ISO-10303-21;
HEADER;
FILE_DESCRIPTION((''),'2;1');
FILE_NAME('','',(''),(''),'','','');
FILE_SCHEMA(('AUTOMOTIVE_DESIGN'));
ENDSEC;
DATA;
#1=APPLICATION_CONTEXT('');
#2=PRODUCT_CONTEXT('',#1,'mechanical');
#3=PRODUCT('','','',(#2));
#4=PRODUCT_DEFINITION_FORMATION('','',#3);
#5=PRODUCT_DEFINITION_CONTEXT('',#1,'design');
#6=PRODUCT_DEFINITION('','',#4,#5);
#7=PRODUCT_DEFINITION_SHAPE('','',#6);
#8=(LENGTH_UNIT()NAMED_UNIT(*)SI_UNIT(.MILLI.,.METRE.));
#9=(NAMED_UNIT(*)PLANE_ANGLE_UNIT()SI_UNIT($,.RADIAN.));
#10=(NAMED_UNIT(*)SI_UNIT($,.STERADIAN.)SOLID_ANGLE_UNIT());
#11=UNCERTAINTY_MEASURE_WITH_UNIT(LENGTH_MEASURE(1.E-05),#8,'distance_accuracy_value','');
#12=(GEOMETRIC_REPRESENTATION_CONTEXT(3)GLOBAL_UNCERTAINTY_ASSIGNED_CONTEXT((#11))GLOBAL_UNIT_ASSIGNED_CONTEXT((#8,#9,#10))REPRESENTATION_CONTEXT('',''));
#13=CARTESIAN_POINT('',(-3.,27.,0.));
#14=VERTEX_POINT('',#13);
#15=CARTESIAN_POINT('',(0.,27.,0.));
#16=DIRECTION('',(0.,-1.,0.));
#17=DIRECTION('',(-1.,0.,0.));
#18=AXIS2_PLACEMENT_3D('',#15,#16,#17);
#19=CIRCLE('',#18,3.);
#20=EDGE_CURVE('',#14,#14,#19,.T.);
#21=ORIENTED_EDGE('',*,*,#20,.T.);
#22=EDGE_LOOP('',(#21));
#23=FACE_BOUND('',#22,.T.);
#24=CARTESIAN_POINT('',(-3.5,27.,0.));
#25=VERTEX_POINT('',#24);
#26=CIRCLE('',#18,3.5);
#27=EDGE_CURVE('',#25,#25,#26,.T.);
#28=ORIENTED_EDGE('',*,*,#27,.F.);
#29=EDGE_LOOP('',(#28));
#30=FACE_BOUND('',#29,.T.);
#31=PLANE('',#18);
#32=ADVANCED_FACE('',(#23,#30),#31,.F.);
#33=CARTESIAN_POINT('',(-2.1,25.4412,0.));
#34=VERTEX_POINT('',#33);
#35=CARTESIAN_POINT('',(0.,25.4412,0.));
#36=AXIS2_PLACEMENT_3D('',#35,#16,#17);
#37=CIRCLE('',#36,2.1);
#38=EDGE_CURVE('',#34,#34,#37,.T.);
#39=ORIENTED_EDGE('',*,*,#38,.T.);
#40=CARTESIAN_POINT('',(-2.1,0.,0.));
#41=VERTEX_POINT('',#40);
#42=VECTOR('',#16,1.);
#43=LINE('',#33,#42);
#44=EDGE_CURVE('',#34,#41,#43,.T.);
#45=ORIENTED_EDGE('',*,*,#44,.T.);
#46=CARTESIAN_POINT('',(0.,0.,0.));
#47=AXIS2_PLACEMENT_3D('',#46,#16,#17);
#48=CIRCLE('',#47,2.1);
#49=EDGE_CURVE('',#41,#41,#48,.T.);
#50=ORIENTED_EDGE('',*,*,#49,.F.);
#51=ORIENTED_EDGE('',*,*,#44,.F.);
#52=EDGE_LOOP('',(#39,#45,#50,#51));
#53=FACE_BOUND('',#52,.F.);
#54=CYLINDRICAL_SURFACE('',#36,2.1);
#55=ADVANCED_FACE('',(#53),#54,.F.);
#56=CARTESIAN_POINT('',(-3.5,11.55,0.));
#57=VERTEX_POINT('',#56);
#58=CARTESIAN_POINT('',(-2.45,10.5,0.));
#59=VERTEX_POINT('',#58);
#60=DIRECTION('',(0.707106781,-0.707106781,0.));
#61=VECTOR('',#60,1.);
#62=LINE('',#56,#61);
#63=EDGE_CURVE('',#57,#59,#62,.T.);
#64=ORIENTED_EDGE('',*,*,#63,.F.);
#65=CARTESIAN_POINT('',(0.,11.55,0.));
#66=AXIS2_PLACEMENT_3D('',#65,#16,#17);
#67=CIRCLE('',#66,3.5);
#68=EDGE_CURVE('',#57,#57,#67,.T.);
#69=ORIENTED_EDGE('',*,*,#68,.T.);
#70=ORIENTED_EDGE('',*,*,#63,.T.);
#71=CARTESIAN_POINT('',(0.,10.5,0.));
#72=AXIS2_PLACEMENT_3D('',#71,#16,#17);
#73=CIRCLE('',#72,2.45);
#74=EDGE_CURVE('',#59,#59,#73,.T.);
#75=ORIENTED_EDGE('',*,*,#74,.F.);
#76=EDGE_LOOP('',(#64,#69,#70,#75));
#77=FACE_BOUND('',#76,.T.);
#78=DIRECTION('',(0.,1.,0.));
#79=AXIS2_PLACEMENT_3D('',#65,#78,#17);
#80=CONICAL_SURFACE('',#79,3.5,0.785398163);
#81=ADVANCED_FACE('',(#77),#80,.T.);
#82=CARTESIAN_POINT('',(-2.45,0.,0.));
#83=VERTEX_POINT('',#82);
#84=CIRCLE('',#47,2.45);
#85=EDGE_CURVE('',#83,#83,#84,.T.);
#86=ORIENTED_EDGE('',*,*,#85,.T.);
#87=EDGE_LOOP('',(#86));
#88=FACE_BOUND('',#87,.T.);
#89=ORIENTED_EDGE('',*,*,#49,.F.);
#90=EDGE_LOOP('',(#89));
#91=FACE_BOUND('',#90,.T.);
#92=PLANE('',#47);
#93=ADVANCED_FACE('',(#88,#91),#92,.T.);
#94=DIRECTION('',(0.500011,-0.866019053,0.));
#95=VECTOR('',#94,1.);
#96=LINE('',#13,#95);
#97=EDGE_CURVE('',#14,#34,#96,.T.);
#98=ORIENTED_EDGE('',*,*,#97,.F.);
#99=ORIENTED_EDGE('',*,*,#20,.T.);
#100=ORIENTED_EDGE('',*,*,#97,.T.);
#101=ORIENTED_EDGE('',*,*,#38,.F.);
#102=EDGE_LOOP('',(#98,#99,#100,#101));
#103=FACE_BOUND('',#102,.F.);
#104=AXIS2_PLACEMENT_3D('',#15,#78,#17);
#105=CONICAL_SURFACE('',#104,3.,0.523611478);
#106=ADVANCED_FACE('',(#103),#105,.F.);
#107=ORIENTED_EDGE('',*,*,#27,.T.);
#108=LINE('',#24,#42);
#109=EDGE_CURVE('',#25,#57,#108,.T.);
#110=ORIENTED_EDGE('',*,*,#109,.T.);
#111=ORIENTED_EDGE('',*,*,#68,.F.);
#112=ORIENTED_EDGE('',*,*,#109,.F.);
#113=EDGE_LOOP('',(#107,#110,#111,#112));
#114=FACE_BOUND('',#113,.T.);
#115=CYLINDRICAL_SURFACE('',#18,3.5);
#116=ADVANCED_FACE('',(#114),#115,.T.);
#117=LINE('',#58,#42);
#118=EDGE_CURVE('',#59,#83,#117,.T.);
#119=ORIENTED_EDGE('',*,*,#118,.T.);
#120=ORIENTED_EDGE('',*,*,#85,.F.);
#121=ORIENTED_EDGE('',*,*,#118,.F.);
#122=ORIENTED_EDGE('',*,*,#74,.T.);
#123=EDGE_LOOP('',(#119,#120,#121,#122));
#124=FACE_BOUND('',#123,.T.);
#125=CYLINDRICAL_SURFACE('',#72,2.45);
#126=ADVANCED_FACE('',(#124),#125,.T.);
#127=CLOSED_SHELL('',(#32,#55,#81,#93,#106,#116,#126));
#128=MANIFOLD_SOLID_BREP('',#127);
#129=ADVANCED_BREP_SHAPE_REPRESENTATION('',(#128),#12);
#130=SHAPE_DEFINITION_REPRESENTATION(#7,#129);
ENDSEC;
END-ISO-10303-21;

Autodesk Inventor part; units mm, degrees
ref_plane "YZ Plane" through (0, 0, 0) normal (1, 0, 0) x (0, 1, 0)
ref_plane "XZ Plane" through (0, 0, 0) normal (0, 1, 0) x (-1, 0, 0)
ref_plane "XY Plane" through (0, 0, 0) normal (0, 0, 1) x (1, 0, 0)
sketch "Sketch1" plane through (0, 0, 0) normal (0, 0, 1) x (1, 0, 0)
  line L0 (-3.5, 27) -> (-3.5, 11.55)
  line L1 (-3.5, 11.55) -> (-2.45, 10.5)
  line L2 (-2.45, 10.5) -> (-2.45, 0)
  line L3 (-2.45, 0) -> (0, 0)
  line L4 (0, 27) -> (0, 0) construction
  line L5 (-3, 27) -> (-2.1, 25.4412)
  line L6 (-2.1, 25.4412) -> (-2.1, 0)
  line L7 (-3, 27) -> (-3.5, 27)
  dimension "d1" = 10.5
  dimension "d2" = 2.45
  dimension "d3" = 3.5
  dimension "d4" = 30
  dimension "d5" = 2.1
  dimension "d6" = 135
  dimension "d7" = 0.5
  dimension "d8" = 27
revolve "Revolution1" add sketch "Sketch1" angle 360 about axis through (0, 27, 0) along (0, -1, 0)
properties part number "ENDER 3 HEATBREAK" material "Aluminum 6061, Welded"
